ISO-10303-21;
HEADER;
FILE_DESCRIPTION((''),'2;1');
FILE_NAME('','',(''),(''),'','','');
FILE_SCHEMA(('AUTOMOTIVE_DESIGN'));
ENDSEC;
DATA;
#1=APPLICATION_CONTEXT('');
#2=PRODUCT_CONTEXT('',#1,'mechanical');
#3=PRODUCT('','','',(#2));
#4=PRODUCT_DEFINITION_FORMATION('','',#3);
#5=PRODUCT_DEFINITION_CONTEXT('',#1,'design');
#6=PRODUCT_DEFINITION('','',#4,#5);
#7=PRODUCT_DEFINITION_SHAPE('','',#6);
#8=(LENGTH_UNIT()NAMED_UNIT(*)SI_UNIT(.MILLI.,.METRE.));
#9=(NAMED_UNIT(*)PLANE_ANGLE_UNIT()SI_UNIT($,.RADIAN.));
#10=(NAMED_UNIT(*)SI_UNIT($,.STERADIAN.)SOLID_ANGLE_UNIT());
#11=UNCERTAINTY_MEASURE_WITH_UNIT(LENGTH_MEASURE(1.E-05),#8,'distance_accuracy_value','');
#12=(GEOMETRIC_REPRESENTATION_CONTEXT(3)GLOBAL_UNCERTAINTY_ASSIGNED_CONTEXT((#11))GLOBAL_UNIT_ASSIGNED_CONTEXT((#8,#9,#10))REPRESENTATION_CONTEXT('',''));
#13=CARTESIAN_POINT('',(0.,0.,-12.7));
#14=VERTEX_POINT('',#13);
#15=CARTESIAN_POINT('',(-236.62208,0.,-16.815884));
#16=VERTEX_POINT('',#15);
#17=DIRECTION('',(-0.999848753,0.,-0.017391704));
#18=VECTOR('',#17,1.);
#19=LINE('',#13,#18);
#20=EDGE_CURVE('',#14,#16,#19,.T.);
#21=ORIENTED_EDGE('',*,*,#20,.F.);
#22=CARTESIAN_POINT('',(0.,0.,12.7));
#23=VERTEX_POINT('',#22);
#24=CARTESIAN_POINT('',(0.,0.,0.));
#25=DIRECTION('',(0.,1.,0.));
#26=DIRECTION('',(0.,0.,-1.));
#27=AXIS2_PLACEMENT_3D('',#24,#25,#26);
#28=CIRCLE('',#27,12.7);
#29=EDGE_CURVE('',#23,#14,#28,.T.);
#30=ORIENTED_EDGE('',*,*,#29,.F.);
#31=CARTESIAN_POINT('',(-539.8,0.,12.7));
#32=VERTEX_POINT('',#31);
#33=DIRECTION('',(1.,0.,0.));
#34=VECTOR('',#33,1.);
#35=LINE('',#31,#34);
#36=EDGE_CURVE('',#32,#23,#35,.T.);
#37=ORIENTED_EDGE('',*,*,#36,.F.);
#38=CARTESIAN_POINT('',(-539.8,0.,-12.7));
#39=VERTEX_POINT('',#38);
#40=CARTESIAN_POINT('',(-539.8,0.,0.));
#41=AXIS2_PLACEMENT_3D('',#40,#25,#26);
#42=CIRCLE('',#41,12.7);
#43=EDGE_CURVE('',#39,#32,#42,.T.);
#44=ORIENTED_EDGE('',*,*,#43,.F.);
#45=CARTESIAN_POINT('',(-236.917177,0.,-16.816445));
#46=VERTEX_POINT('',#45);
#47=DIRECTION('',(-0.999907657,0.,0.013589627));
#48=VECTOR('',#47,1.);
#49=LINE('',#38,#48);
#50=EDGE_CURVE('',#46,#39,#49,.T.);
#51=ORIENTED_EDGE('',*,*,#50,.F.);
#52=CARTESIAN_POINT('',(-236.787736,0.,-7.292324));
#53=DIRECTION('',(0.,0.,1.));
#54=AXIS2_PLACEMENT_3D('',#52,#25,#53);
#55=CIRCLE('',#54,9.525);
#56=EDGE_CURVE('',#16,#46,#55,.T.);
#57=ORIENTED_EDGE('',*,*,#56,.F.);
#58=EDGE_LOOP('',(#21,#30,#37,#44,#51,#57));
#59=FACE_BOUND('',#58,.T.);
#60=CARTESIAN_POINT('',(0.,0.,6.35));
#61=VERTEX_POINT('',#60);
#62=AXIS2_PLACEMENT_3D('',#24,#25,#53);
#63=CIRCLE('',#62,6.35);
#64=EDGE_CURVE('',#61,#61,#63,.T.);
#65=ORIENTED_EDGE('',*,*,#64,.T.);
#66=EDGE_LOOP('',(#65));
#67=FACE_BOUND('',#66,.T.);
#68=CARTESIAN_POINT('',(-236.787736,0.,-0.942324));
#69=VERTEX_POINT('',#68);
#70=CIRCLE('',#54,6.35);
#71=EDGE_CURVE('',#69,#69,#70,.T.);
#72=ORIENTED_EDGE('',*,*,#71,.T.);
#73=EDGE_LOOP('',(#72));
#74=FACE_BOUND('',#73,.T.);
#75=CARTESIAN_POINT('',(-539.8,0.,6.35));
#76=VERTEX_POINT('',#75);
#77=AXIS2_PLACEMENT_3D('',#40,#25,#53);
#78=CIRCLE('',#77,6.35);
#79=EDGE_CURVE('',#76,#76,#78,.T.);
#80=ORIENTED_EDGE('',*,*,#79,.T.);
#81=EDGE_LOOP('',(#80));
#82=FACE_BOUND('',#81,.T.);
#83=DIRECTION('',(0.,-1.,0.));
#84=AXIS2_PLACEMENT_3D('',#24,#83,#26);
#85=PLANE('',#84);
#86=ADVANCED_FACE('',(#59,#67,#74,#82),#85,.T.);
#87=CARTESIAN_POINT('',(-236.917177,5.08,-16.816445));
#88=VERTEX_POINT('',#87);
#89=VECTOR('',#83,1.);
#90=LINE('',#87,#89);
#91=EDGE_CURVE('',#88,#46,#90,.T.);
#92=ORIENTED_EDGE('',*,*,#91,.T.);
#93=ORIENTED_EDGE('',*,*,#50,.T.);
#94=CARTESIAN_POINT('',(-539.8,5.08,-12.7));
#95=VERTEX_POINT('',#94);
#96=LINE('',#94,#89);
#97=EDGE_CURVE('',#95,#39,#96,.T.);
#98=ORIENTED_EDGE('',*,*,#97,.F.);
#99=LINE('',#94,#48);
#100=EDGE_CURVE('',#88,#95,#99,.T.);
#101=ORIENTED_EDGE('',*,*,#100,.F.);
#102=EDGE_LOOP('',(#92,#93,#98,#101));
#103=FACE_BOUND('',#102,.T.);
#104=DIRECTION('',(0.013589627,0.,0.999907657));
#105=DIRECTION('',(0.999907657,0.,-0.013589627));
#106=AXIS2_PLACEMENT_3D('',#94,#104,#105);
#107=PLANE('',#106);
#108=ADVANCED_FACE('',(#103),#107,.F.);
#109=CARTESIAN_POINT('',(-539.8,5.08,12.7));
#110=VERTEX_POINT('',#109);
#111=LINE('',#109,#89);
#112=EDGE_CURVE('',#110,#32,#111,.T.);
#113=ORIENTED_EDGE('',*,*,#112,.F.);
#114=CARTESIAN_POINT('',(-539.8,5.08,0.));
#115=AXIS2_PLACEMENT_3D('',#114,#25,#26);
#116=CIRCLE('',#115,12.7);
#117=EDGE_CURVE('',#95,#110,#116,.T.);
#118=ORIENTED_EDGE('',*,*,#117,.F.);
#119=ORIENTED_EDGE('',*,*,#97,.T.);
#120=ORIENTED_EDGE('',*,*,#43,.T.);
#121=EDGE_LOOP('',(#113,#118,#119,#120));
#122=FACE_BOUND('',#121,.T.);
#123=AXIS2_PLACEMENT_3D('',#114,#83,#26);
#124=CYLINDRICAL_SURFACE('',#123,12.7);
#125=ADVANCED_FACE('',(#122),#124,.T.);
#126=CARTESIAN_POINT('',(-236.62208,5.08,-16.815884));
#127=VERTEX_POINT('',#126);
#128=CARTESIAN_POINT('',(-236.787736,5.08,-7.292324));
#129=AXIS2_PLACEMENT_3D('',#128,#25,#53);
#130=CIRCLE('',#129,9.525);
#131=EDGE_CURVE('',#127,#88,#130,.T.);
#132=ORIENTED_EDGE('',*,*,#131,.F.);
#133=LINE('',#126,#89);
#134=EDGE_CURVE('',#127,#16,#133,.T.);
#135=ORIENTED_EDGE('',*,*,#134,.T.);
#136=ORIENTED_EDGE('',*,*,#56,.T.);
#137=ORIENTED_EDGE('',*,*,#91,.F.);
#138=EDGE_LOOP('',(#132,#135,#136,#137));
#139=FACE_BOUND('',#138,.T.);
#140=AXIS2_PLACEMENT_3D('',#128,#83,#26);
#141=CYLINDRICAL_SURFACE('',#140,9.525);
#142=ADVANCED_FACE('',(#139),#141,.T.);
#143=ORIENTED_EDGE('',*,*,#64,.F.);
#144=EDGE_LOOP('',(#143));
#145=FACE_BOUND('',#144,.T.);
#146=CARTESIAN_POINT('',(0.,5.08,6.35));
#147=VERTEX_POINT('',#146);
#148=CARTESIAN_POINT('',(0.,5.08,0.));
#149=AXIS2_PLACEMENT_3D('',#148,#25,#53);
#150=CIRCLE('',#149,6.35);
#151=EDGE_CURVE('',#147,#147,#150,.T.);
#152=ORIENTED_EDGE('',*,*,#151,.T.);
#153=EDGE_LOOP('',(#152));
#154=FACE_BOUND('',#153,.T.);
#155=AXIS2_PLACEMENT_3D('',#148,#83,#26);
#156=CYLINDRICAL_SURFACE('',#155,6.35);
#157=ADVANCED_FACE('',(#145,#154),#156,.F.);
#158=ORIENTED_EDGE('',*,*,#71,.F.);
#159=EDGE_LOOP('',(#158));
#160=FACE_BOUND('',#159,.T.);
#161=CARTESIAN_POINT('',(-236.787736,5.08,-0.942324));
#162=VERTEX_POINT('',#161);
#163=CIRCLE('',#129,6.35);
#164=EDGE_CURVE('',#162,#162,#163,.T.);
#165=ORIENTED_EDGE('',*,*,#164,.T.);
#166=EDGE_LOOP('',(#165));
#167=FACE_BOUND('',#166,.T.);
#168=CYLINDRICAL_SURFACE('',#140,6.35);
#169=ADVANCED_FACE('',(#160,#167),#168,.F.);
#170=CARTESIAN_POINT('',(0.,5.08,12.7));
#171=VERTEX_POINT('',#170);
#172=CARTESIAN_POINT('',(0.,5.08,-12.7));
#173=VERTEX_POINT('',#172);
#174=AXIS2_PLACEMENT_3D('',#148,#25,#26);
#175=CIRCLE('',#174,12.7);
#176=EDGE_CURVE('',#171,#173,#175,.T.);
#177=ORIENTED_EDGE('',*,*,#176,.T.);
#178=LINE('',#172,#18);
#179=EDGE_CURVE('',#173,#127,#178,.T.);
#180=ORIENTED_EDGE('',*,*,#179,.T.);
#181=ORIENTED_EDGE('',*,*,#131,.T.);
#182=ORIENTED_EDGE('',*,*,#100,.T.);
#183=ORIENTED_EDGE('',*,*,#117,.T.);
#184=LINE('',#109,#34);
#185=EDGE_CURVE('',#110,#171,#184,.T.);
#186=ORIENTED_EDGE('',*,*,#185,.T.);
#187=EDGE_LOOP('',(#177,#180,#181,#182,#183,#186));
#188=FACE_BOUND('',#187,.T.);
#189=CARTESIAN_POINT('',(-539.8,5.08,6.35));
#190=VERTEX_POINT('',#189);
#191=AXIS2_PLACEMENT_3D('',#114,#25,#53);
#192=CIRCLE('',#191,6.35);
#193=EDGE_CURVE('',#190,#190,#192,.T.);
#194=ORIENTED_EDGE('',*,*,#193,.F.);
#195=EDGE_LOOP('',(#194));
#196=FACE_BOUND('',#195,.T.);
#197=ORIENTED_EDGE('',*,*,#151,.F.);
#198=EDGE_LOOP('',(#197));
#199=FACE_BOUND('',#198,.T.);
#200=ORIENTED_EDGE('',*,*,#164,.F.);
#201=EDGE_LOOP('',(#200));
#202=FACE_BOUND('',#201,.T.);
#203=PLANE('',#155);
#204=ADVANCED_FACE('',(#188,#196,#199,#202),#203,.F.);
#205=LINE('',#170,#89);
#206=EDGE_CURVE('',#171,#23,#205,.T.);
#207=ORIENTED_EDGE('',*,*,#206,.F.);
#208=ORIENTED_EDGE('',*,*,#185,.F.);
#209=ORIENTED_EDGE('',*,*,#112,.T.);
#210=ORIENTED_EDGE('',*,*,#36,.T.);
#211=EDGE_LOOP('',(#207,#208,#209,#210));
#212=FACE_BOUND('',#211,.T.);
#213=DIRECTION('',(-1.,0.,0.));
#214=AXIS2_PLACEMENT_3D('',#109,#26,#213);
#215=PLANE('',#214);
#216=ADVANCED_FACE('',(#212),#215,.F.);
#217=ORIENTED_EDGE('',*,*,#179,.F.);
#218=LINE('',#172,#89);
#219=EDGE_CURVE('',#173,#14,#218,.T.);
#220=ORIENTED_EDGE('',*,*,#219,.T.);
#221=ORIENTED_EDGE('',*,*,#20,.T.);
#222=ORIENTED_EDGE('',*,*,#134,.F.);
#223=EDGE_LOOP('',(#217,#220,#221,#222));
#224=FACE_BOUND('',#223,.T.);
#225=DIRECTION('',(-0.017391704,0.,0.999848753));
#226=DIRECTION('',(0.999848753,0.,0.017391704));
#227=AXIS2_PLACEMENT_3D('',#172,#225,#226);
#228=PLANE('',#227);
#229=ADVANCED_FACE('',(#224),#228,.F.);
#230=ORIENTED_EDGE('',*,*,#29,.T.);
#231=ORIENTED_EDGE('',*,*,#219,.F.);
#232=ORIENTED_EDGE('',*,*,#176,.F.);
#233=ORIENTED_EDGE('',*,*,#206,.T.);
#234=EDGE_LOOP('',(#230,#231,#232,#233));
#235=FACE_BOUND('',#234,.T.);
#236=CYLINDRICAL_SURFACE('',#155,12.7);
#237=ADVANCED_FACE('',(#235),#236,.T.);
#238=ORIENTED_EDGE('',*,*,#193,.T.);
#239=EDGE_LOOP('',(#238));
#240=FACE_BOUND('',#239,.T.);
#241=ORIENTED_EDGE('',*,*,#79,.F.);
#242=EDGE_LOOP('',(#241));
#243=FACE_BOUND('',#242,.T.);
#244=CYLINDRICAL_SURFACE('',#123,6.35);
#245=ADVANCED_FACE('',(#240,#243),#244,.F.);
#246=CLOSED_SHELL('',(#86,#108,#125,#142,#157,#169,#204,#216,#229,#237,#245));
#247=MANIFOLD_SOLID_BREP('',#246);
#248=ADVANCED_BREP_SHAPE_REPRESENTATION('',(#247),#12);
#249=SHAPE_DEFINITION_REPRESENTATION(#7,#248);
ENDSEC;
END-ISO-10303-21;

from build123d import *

# Parameters (mm, degrees)
SKETCH2_R           = 6.35
BOSS_EXTRUDE1_DEPTH = 5.08


with BuildPart() as part:
    # Sketch2 → Boss-Extrude1 (new body)
    with BuildSketch(Plane(origin=(0, 0, 0), x_dir=(1, 0, 0), z_dir=(0, 1, 0))):
        with BuildLine():
            Line((-539.8, -12.7), (0, -12.7))
            ThreePointArc((0, -12.7), (12.7, 0), (0, 12.7))
            Line((0, 12.7), (-236.622080232, 16.815883631))
            ThreePointArc((-236.622080232, 16.815883631), (-236.769626647, 16.817307044), (-236.917177407, 16.81644469))
            Line((-236.917177407, 16.81644469), (-539.8, 12.7))
            ThreePointArc((-539.8, 12.7), (-552.5, 0), (-539.8, -12.7))
        make_face()
        with Locations(Location((0, 0, 0), (0, 0, 270))):
            Circle(SKETCH2_R, mode=Mode.SUBTRACT)
        with Locations(Location((-539.8, 0, 0), (0, 0, 270))):
            Circle(SKETCH2_R, mode=Mode.SUBTRACT)
        with Locations(Location((-236.78773621, 7.29232426, 0), (0, 0, 270))):
            Circle(SKETCH2_R, mode=Mode.SUBTRACT)
    extrude(amount=BOSS_EXTRUDE1_DEPTH)


solid = part.part
